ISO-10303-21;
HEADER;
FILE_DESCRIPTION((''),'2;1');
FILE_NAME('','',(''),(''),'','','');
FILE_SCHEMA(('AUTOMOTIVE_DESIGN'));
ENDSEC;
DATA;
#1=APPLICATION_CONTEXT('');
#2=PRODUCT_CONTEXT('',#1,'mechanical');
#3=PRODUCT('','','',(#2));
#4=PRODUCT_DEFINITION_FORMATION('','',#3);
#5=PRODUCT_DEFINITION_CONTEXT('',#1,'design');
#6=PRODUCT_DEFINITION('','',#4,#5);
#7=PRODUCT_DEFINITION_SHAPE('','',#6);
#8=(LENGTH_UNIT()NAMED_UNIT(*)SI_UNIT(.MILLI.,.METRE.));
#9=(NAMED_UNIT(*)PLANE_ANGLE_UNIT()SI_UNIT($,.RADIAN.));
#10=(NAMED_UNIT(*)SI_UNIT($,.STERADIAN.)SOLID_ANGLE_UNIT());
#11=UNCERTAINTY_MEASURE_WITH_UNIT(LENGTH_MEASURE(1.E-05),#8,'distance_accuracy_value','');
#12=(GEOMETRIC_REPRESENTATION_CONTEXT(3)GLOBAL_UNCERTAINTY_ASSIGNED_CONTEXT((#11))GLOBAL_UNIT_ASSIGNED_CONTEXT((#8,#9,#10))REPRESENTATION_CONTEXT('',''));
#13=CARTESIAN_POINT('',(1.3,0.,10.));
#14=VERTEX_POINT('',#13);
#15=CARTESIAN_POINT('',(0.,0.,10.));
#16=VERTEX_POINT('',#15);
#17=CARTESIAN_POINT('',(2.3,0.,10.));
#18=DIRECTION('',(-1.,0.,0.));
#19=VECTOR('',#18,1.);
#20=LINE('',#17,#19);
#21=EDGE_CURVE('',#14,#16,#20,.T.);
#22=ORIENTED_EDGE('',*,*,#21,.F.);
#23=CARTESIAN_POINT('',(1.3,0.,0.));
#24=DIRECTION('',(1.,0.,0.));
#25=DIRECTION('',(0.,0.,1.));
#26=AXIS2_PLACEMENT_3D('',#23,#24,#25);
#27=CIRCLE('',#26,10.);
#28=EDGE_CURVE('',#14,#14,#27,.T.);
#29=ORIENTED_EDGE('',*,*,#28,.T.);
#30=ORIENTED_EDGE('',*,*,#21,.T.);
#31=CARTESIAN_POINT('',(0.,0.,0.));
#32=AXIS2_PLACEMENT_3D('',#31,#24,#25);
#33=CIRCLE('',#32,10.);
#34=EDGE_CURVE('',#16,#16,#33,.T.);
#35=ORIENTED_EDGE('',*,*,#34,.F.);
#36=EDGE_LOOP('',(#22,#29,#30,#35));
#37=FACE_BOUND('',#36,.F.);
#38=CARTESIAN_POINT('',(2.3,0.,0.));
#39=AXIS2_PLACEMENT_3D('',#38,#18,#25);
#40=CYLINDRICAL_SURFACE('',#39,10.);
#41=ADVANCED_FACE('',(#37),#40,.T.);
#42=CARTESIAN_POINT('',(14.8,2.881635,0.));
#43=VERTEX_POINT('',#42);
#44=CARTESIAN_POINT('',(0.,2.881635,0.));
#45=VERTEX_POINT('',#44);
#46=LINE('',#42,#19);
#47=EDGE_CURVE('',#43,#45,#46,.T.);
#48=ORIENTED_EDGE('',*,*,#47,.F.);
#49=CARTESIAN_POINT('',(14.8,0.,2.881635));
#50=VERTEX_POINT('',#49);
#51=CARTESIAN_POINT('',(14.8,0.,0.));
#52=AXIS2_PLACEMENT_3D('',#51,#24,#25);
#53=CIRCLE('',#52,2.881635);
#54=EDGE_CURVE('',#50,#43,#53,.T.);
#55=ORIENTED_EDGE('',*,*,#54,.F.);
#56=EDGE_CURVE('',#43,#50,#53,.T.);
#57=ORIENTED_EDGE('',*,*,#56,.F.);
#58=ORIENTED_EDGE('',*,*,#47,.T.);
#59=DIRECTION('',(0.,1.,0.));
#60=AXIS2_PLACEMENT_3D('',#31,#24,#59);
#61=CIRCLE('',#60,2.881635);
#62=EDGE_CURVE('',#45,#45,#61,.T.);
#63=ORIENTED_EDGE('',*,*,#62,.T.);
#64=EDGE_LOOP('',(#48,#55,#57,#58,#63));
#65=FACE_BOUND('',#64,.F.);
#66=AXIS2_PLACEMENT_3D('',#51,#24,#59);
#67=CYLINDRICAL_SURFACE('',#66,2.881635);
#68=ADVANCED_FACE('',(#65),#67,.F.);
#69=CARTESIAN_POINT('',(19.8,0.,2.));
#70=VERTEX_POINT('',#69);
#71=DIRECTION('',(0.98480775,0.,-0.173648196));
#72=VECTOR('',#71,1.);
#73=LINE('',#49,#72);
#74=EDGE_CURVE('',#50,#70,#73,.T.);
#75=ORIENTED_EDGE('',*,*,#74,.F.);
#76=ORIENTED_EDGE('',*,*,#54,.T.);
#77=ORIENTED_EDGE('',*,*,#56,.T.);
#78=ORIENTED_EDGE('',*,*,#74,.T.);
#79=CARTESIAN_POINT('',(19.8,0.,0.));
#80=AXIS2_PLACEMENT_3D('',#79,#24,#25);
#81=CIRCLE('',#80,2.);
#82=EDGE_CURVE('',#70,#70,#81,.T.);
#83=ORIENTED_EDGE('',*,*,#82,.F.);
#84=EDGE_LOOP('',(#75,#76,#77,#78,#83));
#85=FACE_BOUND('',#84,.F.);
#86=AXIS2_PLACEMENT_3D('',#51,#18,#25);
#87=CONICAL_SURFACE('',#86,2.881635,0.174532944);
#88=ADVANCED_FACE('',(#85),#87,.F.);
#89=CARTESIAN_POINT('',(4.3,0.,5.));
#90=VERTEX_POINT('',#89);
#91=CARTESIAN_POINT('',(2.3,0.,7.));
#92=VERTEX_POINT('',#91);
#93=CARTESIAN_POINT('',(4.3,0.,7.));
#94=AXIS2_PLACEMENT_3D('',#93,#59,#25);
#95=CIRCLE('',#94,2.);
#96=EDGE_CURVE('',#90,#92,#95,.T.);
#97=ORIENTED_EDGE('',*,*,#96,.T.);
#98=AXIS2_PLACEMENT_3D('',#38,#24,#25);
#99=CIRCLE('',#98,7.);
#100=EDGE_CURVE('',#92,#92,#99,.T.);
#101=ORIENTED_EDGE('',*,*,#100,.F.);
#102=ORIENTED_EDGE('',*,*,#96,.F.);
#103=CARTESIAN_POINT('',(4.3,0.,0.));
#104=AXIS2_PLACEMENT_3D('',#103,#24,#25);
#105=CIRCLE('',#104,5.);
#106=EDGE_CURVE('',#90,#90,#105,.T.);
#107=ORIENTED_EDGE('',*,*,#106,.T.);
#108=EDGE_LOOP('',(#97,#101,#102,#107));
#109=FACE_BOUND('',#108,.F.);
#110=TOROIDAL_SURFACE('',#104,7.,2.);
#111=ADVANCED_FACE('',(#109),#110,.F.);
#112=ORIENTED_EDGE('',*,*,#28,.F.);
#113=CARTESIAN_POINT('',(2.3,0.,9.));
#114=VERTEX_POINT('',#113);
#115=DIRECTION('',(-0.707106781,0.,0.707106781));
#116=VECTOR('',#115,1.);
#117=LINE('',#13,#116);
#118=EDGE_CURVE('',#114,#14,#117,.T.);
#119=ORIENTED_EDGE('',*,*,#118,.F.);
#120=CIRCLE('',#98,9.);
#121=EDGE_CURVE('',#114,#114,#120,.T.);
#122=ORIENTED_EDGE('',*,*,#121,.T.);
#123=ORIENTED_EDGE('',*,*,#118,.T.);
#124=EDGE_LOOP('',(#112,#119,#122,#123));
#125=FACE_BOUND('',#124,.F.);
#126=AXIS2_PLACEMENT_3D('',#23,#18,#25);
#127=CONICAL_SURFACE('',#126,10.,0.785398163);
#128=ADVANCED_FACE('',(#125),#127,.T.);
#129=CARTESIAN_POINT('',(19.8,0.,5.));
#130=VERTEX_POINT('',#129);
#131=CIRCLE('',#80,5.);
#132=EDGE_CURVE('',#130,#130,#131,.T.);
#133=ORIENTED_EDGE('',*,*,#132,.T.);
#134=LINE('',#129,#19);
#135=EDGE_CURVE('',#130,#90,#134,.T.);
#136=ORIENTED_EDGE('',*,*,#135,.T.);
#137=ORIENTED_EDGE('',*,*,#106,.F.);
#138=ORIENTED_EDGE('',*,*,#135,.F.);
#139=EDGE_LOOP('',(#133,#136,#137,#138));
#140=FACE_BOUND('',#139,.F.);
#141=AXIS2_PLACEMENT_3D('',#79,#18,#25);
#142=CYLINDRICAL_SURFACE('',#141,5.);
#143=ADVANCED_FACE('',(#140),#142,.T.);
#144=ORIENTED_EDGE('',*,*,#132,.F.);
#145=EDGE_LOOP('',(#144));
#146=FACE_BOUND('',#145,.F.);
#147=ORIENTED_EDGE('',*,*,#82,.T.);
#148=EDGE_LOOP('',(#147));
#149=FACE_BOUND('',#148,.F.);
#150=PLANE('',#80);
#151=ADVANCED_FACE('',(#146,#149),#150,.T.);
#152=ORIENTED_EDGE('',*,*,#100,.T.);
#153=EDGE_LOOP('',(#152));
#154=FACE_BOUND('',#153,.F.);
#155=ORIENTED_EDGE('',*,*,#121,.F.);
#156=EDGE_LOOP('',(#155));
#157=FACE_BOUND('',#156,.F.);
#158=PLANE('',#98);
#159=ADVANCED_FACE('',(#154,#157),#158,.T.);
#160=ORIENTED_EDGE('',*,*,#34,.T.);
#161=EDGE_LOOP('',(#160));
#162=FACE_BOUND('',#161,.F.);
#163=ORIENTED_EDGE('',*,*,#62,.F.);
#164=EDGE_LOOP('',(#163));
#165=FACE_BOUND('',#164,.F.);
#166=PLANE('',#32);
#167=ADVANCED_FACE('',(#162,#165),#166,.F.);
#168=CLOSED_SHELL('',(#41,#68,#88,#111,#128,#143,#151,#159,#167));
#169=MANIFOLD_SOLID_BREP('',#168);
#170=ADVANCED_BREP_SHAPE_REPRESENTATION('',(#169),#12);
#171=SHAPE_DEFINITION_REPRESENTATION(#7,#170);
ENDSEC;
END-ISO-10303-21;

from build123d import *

# Parameters (mm, degrees)
F2_R      = 2
F3_SIZE   = 1
F1_FACE_R = 2.881635
F4_DEPTH  = 25


with BuildPart() as f1:
    # F0 (on Front) → F1 (revolve)
    with BuildSketch(Plane.XZ):
        Polygon((0, 10), (0, 0), (2.3, 0), (2.3, 5), (2.3, 10), align=None)
        Polygon((2.3, 5), (2.3, 0), (14.8, 0), (14.8, 2.881635), (19.8, 2), (19.8, 5), align=None)
    revolve(axis=Axis((11.05, 0, 0), (1, 0, 0)))

    # F2
    f2_edges = [f1.edges().sort_by_distance(p)[0] for p in [
        (2.3, 0, -5),
    ]]
    fillet(f2_edges, radius=F2_R)

    # F3
    f3_edges = [f1.edges().sort_by_distance(p)[0] for p in [
        (2.3, 0, -10),
    ]]
    chamfer(f3_edges, length=F3_SIZE)

    # F1_face (on face) → F4 (cut)
    with BuildSketch(Plane.YZ.offset(14.8)):
        Circle(F1_FACE_R)
    extrude(amount=-F4_DEPTH, mode=Mode.SUBTRACT)


solid = f1.part
